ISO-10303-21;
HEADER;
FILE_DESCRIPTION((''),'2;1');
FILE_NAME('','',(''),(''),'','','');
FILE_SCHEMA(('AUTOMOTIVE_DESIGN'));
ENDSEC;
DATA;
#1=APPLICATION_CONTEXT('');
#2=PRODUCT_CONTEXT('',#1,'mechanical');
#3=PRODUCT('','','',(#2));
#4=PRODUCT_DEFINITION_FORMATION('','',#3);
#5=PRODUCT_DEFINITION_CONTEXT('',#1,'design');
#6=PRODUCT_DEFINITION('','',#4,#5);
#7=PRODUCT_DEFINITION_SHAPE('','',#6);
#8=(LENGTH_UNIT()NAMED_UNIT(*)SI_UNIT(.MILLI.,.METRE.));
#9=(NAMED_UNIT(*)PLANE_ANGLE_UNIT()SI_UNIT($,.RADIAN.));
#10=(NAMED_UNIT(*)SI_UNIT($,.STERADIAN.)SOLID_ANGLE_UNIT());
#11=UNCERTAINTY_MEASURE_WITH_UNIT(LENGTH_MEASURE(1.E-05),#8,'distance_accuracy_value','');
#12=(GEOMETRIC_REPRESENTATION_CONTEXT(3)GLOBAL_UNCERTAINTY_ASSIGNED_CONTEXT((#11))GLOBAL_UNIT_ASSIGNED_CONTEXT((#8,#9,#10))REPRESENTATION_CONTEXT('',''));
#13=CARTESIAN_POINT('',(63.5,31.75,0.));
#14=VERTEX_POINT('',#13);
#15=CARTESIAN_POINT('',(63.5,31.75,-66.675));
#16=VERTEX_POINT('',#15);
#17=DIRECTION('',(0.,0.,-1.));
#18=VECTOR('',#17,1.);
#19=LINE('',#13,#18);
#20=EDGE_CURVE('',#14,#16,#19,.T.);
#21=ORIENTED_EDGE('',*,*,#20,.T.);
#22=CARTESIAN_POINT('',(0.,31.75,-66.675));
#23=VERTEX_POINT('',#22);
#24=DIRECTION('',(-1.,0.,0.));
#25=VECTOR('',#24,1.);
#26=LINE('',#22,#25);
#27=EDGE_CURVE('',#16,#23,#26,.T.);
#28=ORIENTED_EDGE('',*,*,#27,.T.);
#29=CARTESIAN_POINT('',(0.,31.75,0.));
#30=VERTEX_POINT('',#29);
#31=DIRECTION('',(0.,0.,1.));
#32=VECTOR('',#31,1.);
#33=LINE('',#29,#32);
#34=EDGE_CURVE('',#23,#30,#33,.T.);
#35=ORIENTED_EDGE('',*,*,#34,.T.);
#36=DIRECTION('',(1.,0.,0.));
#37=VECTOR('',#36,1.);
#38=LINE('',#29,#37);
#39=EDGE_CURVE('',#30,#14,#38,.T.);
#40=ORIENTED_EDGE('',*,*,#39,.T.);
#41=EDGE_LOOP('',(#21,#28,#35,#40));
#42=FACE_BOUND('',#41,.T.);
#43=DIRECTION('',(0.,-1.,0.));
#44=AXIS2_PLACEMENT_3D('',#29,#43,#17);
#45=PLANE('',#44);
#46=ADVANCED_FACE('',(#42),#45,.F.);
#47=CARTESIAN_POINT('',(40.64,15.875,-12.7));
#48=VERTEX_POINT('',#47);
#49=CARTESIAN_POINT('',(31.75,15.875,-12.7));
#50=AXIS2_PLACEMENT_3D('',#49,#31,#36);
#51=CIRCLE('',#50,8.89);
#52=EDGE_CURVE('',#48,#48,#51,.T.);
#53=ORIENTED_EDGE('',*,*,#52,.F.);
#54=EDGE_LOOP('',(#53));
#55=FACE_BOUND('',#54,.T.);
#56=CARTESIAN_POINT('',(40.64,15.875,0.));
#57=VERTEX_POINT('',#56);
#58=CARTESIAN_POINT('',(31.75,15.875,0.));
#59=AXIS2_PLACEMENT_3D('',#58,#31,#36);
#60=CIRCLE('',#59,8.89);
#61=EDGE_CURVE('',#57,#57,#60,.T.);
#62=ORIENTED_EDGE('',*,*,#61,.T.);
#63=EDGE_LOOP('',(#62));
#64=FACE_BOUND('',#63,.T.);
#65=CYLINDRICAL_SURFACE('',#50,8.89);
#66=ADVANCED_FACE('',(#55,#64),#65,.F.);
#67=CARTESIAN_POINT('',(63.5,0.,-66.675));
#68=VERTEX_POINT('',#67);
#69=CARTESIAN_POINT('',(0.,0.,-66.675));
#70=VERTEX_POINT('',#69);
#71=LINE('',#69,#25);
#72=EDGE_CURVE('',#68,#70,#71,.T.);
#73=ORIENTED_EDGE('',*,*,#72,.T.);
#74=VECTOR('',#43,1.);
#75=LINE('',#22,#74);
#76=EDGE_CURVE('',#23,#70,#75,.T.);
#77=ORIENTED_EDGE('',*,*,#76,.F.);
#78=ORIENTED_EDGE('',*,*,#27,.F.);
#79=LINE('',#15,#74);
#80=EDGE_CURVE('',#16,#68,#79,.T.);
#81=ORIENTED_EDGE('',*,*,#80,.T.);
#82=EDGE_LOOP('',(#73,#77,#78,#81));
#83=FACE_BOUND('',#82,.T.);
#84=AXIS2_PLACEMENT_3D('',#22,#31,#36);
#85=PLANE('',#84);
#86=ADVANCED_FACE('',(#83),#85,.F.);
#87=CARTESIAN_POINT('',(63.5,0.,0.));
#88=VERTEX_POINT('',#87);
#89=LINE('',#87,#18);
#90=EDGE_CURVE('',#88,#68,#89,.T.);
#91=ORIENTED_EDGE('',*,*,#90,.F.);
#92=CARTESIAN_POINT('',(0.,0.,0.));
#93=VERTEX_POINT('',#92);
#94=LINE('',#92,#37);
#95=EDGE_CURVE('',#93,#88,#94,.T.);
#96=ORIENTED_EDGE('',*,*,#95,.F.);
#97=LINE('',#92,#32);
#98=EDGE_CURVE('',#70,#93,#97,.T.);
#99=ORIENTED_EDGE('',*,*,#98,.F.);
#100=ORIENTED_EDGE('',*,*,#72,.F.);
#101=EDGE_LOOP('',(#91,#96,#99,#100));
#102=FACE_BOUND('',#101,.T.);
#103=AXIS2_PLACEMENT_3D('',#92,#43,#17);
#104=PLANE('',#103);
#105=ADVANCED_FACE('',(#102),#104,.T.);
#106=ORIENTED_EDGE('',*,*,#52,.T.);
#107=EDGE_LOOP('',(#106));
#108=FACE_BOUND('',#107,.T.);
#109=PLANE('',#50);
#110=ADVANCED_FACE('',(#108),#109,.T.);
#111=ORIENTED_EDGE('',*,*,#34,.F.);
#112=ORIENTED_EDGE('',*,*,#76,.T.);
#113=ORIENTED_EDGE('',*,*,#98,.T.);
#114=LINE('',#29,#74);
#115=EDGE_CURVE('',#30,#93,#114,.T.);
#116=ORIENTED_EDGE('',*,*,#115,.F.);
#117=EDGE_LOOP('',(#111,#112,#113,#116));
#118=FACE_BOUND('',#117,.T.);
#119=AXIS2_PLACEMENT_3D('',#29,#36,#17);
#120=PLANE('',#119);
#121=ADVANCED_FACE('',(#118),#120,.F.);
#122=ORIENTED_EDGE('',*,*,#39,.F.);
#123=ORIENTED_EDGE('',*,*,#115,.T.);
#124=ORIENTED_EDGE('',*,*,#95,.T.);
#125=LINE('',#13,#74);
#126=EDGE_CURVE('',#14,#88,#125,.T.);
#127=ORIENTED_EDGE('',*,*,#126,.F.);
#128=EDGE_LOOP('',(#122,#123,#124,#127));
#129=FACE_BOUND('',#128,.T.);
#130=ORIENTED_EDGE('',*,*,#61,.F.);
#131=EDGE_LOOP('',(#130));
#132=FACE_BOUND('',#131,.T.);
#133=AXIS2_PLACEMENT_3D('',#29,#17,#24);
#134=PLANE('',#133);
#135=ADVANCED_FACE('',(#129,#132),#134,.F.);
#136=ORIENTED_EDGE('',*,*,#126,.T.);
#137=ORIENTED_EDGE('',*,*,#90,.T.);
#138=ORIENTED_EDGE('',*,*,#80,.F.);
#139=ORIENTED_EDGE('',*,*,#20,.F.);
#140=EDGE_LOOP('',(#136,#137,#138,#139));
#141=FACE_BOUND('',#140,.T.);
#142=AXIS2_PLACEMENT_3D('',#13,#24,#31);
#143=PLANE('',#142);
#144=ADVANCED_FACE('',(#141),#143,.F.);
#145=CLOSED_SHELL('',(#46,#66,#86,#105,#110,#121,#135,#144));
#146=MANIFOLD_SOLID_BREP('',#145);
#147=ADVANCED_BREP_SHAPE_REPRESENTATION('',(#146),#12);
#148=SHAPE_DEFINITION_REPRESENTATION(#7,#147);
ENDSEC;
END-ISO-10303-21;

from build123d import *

# Parameters (mm, degrees)
SKETCH1_W           = 63.5
SKETCH1_H           = 66.675
BOSS_EXTRUDE1_DEPTH = 31.75
SKETCH2_R           = 8.89
CUT_EXTRUDE1_DEPTH  = 12.7


with BuildPart() as part:
    # Sketch1 → Boss-Extrude1 (new body)
    with BuildSketch(Plane(origin=(0, 0, 0), x_dir=(1, 0, 0), z_dir=(0, 1, 0))):
        with Locations((31.75, 33.3375)):
            Rectangle(SKETCH1_W, SKETCH1_H)
    extrude(amount=BOSS_EXTRUDE1_DEPTH)

    # Sketch2 → Cut-Extrude1 (cut)
    with BuildSketch(Plane.XY):
        with Locations((31.75, 15.875)):
            Circle(SKETCH2_R)
    extrude(amount=-CUT_EXTRUDE1_DEPTH, mode=Mode.SUBTRACT)


solid = part.part
